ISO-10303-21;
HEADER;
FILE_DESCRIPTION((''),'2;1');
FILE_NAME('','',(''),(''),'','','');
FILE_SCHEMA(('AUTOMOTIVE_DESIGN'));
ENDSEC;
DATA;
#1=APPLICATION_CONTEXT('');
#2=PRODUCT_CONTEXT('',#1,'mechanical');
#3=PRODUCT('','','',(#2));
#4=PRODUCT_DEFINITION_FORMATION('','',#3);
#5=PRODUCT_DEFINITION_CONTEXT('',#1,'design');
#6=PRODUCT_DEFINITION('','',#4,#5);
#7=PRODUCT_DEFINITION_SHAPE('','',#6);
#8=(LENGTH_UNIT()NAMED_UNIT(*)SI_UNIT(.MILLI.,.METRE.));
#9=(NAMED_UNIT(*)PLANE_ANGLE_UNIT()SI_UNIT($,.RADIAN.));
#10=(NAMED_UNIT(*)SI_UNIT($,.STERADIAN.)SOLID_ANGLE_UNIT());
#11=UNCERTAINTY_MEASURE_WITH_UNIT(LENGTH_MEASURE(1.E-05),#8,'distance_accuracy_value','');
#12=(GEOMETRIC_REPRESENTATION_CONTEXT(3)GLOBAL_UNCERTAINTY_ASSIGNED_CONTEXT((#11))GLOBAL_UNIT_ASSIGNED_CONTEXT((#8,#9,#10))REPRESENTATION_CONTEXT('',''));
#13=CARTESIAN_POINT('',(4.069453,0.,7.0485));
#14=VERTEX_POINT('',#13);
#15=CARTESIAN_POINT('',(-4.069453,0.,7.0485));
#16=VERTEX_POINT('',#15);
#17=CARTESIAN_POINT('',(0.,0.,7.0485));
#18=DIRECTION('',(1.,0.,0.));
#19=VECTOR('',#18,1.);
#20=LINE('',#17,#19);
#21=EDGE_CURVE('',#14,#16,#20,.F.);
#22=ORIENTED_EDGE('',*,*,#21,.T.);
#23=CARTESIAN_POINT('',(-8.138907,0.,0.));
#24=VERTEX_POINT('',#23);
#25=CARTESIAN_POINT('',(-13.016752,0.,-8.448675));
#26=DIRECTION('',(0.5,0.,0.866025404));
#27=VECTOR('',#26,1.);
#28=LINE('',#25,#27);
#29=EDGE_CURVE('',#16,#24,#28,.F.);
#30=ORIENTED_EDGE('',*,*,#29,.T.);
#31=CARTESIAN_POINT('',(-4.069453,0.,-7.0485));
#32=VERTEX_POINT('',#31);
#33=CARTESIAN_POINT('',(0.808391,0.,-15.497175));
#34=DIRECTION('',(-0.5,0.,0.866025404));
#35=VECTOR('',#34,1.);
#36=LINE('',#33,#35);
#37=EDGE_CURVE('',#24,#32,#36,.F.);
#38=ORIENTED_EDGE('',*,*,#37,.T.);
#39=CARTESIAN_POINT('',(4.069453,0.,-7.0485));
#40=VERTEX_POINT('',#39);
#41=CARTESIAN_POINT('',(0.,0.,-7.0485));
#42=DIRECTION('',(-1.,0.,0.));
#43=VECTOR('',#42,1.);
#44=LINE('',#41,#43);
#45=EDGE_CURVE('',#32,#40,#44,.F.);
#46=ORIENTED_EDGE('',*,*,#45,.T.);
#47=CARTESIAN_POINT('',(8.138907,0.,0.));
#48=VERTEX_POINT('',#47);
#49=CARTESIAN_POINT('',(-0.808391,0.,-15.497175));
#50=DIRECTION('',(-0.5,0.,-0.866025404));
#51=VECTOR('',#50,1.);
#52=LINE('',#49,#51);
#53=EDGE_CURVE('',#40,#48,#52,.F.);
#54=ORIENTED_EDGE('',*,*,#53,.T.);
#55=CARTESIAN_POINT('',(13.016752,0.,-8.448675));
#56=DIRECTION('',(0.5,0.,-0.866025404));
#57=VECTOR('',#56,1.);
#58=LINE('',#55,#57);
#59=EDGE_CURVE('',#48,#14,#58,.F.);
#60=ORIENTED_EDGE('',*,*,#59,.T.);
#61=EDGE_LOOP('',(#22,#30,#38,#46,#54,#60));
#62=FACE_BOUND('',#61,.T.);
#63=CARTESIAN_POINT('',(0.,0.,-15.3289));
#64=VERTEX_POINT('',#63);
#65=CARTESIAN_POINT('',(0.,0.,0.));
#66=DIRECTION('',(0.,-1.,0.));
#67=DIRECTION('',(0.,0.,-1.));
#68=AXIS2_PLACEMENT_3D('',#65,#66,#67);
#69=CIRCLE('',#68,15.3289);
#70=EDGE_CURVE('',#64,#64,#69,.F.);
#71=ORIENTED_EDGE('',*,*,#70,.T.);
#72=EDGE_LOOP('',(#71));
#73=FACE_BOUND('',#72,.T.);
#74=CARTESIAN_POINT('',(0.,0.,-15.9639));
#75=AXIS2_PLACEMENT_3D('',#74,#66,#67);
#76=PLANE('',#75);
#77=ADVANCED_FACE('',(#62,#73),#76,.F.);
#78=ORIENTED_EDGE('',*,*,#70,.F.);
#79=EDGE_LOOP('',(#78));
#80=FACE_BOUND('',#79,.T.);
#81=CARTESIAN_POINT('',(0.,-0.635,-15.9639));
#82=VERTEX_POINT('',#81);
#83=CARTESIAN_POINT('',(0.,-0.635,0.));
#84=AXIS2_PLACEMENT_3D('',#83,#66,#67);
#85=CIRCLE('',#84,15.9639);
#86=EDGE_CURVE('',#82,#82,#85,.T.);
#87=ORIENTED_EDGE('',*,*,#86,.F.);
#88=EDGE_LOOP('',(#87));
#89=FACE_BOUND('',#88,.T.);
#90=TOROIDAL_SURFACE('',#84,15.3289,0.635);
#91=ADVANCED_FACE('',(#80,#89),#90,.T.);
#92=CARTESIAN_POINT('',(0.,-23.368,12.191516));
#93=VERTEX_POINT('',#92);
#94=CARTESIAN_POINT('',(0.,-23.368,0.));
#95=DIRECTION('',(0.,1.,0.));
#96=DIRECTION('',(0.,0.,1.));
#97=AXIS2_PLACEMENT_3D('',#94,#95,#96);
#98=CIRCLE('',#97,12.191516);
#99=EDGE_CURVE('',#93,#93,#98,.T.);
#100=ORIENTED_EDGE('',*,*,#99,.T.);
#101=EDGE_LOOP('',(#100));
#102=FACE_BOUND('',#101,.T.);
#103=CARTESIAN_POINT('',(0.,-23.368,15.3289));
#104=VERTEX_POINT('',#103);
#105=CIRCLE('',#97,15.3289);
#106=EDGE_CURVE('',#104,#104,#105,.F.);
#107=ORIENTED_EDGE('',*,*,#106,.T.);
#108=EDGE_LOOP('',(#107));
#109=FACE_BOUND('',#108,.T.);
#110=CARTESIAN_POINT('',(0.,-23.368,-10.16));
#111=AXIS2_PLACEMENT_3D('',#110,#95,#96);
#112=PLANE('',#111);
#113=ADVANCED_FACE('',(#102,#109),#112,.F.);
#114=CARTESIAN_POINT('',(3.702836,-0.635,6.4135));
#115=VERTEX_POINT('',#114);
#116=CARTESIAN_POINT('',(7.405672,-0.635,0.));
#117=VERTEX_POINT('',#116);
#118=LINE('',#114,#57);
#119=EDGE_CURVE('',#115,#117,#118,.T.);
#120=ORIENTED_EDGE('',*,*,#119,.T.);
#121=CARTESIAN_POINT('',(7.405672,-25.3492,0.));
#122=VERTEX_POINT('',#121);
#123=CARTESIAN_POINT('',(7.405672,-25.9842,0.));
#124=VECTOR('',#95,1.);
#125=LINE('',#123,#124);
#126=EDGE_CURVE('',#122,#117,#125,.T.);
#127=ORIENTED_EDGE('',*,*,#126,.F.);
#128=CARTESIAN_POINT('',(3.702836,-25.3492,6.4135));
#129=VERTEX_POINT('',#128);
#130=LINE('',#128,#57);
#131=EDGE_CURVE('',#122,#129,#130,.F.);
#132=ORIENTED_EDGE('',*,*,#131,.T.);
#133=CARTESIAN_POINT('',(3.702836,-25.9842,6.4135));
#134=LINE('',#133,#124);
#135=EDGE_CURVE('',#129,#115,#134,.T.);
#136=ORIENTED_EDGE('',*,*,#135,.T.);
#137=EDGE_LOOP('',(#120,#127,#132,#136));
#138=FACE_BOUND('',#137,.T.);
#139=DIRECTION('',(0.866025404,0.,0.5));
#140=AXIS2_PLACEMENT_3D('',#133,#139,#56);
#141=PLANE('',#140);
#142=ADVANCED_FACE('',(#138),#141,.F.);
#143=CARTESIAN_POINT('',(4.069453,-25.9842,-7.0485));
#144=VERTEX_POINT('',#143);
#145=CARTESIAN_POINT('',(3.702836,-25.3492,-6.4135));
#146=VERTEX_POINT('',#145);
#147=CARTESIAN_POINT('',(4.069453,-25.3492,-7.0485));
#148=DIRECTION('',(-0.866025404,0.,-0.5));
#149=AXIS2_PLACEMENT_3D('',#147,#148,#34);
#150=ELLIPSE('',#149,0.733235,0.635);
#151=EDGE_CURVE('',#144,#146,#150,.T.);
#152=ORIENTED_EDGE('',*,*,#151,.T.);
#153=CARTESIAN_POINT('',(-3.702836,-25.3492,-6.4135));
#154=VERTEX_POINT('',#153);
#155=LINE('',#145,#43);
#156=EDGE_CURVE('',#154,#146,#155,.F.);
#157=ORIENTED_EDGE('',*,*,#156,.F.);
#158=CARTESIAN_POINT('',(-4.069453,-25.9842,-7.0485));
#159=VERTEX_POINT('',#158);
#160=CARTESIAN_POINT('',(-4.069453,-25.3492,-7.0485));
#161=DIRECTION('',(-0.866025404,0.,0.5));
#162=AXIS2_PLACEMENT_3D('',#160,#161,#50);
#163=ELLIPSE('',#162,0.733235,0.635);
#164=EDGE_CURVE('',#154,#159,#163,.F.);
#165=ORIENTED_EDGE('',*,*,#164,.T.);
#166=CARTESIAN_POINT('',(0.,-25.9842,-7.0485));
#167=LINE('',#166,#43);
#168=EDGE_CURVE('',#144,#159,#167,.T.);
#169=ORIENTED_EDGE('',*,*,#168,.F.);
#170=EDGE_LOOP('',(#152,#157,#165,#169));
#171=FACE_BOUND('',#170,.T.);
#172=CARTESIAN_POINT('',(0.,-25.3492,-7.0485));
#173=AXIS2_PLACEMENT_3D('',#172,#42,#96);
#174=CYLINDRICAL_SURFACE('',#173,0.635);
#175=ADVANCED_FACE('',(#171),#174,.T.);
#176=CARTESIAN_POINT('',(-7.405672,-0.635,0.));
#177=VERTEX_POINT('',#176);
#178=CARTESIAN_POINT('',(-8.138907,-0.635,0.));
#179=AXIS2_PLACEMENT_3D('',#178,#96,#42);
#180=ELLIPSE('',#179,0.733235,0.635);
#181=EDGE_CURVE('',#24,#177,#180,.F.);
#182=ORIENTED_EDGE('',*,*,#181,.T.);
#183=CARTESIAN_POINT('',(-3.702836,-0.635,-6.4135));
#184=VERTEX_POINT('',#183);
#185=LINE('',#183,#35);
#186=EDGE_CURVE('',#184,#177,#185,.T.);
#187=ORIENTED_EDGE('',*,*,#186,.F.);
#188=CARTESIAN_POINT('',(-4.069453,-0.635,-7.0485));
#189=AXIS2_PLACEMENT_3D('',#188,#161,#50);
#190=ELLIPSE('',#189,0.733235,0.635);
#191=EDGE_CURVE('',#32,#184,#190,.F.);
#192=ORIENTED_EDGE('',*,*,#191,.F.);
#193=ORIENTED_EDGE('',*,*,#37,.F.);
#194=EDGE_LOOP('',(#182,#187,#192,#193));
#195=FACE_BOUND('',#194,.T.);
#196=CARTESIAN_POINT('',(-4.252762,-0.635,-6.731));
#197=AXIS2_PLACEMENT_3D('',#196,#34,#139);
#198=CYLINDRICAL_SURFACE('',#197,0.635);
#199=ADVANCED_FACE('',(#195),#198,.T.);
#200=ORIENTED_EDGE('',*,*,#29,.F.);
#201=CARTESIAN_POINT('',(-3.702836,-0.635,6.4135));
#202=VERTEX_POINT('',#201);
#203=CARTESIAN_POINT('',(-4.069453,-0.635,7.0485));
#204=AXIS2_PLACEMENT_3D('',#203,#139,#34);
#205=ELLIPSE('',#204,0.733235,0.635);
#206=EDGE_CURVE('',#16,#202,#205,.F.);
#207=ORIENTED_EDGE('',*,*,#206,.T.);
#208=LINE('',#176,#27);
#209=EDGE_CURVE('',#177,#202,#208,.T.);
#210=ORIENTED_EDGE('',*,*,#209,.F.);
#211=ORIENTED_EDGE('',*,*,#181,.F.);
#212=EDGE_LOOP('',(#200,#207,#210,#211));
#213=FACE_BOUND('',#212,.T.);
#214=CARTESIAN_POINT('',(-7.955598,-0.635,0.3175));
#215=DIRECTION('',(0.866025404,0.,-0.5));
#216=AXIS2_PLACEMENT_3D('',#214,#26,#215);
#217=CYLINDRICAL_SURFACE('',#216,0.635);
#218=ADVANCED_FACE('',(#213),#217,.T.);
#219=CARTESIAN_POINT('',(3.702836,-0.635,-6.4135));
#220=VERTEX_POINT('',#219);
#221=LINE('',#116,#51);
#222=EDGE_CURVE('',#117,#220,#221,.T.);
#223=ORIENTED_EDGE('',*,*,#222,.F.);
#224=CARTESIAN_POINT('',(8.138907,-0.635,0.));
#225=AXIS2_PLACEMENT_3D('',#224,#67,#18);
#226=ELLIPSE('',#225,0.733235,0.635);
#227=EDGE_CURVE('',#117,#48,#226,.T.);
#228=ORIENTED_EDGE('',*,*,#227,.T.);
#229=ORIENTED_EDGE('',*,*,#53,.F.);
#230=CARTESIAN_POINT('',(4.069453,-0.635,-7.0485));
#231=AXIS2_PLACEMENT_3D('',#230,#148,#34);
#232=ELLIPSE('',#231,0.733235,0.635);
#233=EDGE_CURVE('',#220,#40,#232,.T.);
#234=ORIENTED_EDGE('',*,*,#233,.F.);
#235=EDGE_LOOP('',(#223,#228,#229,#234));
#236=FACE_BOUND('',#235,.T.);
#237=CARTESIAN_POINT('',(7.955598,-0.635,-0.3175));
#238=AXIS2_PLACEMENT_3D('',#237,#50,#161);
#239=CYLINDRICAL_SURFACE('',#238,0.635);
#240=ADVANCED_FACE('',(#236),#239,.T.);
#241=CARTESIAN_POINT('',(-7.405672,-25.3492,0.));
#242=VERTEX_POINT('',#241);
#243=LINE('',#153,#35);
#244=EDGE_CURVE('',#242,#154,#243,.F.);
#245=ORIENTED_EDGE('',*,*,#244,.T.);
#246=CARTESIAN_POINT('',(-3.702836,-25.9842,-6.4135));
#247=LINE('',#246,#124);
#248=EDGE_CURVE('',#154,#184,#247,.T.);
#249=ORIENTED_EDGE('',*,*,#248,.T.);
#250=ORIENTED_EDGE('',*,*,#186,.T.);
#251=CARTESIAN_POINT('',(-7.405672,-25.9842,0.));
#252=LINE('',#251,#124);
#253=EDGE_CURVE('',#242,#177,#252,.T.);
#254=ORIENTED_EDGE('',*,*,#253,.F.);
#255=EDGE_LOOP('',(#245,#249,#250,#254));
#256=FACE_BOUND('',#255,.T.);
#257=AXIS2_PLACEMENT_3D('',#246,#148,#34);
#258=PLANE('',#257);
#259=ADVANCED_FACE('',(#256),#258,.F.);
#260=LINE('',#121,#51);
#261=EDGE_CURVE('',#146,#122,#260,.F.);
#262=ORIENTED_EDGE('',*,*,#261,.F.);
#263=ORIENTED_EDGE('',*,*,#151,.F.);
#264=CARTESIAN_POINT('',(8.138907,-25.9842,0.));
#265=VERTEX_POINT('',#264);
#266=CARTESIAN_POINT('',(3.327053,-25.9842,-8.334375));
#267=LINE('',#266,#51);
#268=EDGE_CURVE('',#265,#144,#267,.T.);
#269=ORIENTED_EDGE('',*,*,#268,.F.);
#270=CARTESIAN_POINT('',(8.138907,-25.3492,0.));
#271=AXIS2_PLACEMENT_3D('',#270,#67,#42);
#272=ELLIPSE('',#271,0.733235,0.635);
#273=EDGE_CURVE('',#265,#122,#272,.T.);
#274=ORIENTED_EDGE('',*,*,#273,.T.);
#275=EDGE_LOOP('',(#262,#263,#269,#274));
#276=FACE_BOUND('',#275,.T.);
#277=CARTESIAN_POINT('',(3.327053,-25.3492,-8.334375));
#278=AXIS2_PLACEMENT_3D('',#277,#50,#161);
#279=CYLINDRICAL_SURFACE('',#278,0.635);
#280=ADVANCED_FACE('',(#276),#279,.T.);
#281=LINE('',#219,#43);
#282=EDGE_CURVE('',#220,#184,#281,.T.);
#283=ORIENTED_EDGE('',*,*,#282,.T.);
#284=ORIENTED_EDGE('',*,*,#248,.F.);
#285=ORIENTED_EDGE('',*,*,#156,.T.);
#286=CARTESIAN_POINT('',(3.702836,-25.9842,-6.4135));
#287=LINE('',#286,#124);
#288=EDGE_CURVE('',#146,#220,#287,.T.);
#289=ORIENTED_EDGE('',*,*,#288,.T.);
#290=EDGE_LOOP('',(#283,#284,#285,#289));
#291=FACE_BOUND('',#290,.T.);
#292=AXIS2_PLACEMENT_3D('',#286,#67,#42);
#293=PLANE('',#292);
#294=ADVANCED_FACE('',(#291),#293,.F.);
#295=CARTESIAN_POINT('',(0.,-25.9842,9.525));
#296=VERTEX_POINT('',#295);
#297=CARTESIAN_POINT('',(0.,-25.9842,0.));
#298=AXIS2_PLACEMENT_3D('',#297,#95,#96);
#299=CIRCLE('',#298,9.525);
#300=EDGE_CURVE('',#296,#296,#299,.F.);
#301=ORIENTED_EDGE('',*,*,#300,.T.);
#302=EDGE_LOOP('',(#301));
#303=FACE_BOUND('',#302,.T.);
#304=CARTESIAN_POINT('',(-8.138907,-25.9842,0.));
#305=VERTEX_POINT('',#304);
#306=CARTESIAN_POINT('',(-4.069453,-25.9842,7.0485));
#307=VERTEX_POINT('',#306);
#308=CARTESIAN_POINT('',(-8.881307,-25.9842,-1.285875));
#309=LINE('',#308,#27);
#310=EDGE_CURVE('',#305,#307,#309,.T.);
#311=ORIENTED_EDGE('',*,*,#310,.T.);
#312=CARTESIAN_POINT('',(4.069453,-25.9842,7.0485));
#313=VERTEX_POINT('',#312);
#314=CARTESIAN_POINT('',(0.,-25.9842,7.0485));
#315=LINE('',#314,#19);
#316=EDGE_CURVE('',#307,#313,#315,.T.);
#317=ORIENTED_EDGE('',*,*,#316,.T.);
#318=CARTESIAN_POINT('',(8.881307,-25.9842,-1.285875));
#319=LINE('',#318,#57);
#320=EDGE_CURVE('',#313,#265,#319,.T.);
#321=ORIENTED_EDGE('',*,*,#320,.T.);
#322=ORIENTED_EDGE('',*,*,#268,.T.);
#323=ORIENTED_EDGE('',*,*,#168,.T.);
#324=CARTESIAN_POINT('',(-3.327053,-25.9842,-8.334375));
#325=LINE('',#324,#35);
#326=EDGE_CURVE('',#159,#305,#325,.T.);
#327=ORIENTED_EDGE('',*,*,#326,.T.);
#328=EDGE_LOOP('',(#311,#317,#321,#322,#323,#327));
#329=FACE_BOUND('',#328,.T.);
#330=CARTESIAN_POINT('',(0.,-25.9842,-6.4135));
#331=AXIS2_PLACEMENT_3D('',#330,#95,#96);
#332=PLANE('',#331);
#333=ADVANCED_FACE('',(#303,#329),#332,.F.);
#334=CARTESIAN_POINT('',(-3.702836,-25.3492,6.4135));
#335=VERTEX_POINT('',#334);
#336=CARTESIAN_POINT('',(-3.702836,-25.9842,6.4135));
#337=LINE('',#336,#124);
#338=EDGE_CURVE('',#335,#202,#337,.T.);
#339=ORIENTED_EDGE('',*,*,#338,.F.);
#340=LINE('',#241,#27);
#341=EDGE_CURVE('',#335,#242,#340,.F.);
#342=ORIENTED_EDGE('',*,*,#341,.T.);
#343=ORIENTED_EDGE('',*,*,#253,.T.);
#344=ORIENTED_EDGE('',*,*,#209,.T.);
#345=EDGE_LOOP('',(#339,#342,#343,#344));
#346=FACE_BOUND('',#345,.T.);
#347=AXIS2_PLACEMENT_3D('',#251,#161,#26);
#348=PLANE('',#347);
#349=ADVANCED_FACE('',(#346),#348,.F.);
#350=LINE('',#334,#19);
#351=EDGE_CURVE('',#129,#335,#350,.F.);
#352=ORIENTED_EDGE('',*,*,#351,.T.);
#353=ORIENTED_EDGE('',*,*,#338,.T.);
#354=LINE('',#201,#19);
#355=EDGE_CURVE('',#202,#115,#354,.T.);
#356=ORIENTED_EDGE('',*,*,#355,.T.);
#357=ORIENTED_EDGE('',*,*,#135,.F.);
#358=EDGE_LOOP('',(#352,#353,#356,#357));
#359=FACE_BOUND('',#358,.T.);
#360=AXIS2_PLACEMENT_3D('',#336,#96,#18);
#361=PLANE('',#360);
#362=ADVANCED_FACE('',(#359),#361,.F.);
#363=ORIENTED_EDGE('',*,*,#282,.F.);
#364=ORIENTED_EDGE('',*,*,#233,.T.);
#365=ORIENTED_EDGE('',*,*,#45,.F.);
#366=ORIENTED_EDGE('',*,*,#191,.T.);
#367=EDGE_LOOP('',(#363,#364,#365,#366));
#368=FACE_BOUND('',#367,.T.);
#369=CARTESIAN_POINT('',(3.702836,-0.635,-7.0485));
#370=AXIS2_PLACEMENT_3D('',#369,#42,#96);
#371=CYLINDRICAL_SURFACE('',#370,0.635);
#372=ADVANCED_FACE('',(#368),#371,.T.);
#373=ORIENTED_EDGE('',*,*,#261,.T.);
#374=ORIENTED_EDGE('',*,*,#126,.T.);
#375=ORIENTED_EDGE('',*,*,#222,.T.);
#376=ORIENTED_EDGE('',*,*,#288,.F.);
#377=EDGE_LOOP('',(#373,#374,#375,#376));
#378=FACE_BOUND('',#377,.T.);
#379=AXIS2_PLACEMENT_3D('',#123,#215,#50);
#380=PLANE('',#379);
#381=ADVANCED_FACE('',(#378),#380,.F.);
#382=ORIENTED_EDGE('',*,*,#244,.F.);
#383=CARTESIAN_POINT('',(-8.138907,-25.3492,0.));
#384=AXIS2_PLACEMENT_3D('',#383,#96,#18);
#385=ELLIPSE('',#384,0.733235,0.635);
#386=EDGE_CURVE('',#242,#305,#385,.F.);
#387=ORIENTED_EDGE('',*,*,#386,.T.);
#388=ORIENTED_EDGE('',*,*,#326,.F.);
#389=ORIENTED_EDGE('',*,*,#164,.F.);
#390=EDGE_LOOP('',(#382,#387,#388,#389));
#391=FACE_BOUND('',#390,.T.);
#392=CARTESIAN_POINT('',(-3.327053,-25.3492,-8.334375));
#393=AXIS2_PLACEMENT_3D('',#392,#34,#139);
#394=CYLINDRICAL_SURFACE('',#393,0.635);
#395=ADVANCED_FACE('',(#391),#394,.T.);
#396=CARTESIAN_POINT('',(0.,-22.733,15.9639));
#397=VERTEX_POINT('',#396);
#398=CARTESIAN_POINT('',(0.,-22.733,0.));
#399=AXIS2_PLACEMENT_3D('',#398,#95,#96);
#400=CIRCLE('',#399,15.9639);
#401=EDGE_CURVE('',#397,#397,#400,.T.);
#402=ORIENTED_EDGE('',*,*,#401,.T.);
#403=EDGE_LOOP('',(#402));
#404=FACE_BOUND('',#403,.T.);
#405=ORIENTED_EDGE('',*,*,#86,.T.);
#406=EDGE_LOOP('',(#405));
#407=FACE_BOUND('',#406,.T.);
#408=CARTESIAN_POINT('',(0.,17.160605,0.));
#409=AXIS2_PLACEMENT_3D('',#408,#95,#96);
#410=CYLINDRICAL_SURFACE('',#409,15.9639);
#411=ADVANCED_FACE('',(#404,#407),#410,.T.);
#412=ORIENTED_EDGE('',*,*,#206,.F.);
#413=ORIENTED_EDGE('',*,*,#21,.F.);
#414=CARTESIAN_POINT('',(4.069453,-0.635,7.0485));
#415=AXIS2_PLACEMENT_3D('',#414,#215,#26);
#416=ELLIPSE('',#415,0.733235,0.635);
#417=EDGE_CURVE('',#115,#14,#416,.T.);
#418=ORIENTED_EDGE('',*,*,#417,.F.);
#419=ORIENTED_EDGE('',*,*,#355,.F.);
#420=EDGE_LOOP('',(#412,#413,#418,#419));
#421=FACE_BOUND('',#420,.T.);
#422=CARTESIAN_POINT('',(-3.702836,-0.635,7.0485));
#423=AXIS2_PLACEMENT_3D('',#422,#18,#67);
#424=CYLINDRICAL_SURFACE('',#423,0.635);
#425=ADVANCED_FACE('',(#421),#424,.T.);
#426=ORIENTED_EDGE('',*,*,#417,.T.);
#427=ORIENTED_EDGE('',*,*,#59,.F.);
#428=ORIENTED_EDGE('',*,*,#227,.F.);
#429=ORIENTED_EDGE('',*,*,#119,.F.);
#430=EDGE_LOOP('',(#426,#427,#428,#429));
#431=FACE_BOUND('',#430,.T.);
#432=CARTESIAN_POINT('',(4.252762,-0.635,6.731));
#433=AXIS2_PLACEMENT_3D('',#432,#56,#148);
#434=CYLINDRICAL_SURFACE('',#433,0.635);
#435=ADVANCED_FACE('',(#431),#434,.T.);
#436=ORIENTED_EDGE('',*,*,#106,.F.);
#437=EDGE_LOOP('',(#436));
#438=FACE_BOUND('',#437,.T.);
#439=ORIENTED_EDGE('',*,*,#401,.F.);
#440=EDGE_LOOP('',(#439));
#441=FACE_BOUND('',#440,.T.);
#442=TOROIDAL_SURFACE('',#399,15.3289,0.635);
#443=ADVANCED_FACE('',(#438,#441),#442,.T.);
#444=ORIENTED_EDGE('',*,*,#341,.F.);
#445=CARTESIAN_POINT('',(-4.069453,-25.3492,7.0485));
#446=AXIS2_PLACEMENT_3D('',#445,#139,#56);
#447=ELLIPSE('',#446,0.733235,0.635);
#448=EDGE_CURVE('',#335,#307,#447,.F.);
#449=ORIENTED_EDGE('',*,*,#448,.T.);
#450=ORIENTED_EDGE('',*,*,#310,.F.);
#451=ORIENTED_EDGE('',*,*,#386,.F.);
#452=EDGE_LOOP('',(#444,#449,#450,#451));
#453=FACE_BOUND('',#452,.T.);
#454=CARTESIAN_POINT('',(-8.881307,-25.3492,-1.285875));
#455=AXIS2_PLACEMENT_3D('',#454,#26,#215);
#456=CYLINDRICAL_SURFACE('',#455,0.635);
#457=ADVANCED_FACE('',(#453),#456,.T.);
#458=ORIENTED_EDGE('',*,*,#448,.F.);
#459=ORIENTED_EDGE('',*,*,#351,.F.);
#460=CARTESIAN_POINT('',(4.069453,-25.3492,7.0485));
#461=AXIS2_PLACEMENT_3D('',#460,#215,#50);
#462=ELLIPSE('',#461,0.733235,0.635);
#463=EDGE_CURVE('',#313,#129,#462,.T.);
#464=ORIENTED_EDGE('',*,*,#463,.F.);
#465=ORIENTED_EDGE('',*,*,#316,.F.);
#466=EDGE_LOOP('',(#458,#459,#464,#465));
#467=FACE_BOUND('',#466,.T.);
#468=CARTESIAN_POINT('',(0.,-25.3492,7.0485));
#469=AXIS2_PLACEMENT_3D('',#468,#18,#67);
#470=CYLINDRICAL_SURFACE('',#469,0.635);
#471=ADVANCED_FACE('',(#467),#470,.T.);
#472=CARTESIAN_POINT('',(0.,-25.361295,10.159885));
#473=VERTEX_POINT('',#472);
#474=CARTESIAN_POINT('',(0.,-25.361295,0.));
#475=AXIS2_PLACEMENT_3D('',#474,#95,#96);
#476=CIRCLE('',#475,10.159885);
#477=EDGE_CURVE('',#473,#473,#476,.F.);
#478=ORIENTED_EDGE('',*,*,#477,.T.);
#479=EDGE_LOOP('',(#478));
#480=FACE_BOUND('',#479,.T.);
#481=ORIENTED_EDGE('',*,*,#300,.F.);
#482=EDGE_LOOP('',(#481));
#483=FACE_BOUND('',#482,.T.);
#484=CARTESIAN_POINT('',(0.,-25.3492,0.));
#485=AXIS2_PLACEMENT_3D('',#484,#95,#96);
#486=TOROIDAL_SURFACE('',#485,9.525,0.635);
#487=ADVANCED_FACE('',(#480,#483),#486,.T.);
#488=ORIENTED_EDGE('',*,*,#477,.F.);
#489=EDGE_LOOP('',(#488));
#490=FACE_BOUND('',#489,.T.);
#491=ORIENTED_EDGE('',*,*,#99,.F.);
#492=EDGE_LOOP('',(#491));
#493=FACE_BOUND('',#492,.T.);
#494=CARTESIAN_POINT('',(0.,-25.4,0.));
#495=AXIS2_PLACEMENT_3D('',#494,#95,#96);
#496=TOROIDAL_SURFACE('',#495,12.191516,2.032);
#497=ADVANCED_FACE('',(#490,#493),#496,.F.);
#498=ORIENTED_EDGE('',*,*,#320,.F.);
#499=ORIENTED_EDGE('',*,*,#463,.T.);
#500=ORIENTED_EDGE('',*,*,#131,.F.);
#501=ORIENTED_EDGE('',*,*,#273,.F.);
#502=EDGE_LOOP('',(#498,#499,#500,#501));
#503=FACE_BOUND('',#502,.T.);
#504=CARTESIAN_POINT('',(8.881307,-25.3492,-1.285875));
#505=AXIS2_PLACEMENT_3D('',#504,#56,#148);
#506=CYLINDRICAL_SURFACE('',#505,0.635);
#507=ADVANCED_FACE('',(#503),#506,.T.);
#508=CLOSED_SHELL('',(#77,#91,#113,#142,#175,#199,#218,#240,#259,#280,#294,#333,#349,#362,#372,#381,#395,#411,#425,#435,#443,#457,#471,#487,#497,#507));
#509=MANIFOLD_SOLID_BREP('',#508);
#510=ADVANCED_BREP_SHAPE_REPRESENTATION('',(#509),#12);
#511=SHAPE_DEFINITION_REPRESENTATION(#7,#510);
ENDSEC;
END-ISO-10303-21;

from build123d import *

# Parameters (mm, degrees)
CUT_EXTRUDE1_DEPTH = 35.421953112
FILLET1_R          = 0.635
FILLET2_R          = 2.032


with BuildPart() as part:
    # Sketch3 → Revolve1 (revolve)
    with BuildSketch(Plane(origin=(0, 0, 0), x_dir=(0, 0, -1), z_dir=(1, 0, 0)), mode=Mode.PRIVATE) as revolve1_sk:
        Polygon((6.4135, 0), (6.4135, -25.9842), (10.16, -25.9842), (10.16, -23.368), (15.9639, -23.368), (15.9639, 0), align=None)
    revolve(revolve1_sk.sketch.rotate(Axis((0, 17.16060519, 0), (0, -1, 0)), 180), axis=Axis((0, 17.16060519, 0), (0, -1, 0)))

    # Sketch2 → Cut-Extrude1 (cut, through all)
    with BuildSketch(Plane(origin=(0, 0, 0), x_dir=(1, 0, 0), z_dir=(0, 1, 0))):
        Polygon((7.405671903, 0), (3.702835951, 6.4135), (-3.702835951, 6.4135), (-7.405671903, 0), (-3.702835951, -6.4135), (3.702835951, -6.4135), align=None)
    extrude(amount=-CUT_EXTRUDE1_DEPTH, mode=Mode.SUBTRACT)

    # Fillet1
    fillet1_edges = [part.edges().sort_by_distance(p)[0] for p in [
        (5.554253927, -25.9842, -3.20675),
        (5.554253927, -25.9842, 3.20675),
        (0, -25.9842, -6.4135),
        (0, -25.9842, 6.4135),
        (-5.554253927, -25.9842, -3.20675),
        (-5.554253927, -25.9842, 3.20675),
        (0, 0, 6.4135),
        (-5.554253927, 0, 3.20675),
        (-5.554253927, 0, -3.20675),
        (0, 0, -6.4135),
        (5.554253927, 0, -3.20675),
        (5.554253927, 0, 3.20675),
        (0, 0, -15.9639),
        (0, -23.368, -15.9639),
        (0, -25.9842, -10.16),
    ]]
    fillet(fillet1_edges, radius=FILLET1_R)

    # Fillet2
    fillet2_edges = [part.edges().sort_by_distance(p)[0] for p in [
        (0, -23.368, -10.16),
    ]]
    fillet(fillet2_edges, radius=FILLET2_R)


solid = part.part
